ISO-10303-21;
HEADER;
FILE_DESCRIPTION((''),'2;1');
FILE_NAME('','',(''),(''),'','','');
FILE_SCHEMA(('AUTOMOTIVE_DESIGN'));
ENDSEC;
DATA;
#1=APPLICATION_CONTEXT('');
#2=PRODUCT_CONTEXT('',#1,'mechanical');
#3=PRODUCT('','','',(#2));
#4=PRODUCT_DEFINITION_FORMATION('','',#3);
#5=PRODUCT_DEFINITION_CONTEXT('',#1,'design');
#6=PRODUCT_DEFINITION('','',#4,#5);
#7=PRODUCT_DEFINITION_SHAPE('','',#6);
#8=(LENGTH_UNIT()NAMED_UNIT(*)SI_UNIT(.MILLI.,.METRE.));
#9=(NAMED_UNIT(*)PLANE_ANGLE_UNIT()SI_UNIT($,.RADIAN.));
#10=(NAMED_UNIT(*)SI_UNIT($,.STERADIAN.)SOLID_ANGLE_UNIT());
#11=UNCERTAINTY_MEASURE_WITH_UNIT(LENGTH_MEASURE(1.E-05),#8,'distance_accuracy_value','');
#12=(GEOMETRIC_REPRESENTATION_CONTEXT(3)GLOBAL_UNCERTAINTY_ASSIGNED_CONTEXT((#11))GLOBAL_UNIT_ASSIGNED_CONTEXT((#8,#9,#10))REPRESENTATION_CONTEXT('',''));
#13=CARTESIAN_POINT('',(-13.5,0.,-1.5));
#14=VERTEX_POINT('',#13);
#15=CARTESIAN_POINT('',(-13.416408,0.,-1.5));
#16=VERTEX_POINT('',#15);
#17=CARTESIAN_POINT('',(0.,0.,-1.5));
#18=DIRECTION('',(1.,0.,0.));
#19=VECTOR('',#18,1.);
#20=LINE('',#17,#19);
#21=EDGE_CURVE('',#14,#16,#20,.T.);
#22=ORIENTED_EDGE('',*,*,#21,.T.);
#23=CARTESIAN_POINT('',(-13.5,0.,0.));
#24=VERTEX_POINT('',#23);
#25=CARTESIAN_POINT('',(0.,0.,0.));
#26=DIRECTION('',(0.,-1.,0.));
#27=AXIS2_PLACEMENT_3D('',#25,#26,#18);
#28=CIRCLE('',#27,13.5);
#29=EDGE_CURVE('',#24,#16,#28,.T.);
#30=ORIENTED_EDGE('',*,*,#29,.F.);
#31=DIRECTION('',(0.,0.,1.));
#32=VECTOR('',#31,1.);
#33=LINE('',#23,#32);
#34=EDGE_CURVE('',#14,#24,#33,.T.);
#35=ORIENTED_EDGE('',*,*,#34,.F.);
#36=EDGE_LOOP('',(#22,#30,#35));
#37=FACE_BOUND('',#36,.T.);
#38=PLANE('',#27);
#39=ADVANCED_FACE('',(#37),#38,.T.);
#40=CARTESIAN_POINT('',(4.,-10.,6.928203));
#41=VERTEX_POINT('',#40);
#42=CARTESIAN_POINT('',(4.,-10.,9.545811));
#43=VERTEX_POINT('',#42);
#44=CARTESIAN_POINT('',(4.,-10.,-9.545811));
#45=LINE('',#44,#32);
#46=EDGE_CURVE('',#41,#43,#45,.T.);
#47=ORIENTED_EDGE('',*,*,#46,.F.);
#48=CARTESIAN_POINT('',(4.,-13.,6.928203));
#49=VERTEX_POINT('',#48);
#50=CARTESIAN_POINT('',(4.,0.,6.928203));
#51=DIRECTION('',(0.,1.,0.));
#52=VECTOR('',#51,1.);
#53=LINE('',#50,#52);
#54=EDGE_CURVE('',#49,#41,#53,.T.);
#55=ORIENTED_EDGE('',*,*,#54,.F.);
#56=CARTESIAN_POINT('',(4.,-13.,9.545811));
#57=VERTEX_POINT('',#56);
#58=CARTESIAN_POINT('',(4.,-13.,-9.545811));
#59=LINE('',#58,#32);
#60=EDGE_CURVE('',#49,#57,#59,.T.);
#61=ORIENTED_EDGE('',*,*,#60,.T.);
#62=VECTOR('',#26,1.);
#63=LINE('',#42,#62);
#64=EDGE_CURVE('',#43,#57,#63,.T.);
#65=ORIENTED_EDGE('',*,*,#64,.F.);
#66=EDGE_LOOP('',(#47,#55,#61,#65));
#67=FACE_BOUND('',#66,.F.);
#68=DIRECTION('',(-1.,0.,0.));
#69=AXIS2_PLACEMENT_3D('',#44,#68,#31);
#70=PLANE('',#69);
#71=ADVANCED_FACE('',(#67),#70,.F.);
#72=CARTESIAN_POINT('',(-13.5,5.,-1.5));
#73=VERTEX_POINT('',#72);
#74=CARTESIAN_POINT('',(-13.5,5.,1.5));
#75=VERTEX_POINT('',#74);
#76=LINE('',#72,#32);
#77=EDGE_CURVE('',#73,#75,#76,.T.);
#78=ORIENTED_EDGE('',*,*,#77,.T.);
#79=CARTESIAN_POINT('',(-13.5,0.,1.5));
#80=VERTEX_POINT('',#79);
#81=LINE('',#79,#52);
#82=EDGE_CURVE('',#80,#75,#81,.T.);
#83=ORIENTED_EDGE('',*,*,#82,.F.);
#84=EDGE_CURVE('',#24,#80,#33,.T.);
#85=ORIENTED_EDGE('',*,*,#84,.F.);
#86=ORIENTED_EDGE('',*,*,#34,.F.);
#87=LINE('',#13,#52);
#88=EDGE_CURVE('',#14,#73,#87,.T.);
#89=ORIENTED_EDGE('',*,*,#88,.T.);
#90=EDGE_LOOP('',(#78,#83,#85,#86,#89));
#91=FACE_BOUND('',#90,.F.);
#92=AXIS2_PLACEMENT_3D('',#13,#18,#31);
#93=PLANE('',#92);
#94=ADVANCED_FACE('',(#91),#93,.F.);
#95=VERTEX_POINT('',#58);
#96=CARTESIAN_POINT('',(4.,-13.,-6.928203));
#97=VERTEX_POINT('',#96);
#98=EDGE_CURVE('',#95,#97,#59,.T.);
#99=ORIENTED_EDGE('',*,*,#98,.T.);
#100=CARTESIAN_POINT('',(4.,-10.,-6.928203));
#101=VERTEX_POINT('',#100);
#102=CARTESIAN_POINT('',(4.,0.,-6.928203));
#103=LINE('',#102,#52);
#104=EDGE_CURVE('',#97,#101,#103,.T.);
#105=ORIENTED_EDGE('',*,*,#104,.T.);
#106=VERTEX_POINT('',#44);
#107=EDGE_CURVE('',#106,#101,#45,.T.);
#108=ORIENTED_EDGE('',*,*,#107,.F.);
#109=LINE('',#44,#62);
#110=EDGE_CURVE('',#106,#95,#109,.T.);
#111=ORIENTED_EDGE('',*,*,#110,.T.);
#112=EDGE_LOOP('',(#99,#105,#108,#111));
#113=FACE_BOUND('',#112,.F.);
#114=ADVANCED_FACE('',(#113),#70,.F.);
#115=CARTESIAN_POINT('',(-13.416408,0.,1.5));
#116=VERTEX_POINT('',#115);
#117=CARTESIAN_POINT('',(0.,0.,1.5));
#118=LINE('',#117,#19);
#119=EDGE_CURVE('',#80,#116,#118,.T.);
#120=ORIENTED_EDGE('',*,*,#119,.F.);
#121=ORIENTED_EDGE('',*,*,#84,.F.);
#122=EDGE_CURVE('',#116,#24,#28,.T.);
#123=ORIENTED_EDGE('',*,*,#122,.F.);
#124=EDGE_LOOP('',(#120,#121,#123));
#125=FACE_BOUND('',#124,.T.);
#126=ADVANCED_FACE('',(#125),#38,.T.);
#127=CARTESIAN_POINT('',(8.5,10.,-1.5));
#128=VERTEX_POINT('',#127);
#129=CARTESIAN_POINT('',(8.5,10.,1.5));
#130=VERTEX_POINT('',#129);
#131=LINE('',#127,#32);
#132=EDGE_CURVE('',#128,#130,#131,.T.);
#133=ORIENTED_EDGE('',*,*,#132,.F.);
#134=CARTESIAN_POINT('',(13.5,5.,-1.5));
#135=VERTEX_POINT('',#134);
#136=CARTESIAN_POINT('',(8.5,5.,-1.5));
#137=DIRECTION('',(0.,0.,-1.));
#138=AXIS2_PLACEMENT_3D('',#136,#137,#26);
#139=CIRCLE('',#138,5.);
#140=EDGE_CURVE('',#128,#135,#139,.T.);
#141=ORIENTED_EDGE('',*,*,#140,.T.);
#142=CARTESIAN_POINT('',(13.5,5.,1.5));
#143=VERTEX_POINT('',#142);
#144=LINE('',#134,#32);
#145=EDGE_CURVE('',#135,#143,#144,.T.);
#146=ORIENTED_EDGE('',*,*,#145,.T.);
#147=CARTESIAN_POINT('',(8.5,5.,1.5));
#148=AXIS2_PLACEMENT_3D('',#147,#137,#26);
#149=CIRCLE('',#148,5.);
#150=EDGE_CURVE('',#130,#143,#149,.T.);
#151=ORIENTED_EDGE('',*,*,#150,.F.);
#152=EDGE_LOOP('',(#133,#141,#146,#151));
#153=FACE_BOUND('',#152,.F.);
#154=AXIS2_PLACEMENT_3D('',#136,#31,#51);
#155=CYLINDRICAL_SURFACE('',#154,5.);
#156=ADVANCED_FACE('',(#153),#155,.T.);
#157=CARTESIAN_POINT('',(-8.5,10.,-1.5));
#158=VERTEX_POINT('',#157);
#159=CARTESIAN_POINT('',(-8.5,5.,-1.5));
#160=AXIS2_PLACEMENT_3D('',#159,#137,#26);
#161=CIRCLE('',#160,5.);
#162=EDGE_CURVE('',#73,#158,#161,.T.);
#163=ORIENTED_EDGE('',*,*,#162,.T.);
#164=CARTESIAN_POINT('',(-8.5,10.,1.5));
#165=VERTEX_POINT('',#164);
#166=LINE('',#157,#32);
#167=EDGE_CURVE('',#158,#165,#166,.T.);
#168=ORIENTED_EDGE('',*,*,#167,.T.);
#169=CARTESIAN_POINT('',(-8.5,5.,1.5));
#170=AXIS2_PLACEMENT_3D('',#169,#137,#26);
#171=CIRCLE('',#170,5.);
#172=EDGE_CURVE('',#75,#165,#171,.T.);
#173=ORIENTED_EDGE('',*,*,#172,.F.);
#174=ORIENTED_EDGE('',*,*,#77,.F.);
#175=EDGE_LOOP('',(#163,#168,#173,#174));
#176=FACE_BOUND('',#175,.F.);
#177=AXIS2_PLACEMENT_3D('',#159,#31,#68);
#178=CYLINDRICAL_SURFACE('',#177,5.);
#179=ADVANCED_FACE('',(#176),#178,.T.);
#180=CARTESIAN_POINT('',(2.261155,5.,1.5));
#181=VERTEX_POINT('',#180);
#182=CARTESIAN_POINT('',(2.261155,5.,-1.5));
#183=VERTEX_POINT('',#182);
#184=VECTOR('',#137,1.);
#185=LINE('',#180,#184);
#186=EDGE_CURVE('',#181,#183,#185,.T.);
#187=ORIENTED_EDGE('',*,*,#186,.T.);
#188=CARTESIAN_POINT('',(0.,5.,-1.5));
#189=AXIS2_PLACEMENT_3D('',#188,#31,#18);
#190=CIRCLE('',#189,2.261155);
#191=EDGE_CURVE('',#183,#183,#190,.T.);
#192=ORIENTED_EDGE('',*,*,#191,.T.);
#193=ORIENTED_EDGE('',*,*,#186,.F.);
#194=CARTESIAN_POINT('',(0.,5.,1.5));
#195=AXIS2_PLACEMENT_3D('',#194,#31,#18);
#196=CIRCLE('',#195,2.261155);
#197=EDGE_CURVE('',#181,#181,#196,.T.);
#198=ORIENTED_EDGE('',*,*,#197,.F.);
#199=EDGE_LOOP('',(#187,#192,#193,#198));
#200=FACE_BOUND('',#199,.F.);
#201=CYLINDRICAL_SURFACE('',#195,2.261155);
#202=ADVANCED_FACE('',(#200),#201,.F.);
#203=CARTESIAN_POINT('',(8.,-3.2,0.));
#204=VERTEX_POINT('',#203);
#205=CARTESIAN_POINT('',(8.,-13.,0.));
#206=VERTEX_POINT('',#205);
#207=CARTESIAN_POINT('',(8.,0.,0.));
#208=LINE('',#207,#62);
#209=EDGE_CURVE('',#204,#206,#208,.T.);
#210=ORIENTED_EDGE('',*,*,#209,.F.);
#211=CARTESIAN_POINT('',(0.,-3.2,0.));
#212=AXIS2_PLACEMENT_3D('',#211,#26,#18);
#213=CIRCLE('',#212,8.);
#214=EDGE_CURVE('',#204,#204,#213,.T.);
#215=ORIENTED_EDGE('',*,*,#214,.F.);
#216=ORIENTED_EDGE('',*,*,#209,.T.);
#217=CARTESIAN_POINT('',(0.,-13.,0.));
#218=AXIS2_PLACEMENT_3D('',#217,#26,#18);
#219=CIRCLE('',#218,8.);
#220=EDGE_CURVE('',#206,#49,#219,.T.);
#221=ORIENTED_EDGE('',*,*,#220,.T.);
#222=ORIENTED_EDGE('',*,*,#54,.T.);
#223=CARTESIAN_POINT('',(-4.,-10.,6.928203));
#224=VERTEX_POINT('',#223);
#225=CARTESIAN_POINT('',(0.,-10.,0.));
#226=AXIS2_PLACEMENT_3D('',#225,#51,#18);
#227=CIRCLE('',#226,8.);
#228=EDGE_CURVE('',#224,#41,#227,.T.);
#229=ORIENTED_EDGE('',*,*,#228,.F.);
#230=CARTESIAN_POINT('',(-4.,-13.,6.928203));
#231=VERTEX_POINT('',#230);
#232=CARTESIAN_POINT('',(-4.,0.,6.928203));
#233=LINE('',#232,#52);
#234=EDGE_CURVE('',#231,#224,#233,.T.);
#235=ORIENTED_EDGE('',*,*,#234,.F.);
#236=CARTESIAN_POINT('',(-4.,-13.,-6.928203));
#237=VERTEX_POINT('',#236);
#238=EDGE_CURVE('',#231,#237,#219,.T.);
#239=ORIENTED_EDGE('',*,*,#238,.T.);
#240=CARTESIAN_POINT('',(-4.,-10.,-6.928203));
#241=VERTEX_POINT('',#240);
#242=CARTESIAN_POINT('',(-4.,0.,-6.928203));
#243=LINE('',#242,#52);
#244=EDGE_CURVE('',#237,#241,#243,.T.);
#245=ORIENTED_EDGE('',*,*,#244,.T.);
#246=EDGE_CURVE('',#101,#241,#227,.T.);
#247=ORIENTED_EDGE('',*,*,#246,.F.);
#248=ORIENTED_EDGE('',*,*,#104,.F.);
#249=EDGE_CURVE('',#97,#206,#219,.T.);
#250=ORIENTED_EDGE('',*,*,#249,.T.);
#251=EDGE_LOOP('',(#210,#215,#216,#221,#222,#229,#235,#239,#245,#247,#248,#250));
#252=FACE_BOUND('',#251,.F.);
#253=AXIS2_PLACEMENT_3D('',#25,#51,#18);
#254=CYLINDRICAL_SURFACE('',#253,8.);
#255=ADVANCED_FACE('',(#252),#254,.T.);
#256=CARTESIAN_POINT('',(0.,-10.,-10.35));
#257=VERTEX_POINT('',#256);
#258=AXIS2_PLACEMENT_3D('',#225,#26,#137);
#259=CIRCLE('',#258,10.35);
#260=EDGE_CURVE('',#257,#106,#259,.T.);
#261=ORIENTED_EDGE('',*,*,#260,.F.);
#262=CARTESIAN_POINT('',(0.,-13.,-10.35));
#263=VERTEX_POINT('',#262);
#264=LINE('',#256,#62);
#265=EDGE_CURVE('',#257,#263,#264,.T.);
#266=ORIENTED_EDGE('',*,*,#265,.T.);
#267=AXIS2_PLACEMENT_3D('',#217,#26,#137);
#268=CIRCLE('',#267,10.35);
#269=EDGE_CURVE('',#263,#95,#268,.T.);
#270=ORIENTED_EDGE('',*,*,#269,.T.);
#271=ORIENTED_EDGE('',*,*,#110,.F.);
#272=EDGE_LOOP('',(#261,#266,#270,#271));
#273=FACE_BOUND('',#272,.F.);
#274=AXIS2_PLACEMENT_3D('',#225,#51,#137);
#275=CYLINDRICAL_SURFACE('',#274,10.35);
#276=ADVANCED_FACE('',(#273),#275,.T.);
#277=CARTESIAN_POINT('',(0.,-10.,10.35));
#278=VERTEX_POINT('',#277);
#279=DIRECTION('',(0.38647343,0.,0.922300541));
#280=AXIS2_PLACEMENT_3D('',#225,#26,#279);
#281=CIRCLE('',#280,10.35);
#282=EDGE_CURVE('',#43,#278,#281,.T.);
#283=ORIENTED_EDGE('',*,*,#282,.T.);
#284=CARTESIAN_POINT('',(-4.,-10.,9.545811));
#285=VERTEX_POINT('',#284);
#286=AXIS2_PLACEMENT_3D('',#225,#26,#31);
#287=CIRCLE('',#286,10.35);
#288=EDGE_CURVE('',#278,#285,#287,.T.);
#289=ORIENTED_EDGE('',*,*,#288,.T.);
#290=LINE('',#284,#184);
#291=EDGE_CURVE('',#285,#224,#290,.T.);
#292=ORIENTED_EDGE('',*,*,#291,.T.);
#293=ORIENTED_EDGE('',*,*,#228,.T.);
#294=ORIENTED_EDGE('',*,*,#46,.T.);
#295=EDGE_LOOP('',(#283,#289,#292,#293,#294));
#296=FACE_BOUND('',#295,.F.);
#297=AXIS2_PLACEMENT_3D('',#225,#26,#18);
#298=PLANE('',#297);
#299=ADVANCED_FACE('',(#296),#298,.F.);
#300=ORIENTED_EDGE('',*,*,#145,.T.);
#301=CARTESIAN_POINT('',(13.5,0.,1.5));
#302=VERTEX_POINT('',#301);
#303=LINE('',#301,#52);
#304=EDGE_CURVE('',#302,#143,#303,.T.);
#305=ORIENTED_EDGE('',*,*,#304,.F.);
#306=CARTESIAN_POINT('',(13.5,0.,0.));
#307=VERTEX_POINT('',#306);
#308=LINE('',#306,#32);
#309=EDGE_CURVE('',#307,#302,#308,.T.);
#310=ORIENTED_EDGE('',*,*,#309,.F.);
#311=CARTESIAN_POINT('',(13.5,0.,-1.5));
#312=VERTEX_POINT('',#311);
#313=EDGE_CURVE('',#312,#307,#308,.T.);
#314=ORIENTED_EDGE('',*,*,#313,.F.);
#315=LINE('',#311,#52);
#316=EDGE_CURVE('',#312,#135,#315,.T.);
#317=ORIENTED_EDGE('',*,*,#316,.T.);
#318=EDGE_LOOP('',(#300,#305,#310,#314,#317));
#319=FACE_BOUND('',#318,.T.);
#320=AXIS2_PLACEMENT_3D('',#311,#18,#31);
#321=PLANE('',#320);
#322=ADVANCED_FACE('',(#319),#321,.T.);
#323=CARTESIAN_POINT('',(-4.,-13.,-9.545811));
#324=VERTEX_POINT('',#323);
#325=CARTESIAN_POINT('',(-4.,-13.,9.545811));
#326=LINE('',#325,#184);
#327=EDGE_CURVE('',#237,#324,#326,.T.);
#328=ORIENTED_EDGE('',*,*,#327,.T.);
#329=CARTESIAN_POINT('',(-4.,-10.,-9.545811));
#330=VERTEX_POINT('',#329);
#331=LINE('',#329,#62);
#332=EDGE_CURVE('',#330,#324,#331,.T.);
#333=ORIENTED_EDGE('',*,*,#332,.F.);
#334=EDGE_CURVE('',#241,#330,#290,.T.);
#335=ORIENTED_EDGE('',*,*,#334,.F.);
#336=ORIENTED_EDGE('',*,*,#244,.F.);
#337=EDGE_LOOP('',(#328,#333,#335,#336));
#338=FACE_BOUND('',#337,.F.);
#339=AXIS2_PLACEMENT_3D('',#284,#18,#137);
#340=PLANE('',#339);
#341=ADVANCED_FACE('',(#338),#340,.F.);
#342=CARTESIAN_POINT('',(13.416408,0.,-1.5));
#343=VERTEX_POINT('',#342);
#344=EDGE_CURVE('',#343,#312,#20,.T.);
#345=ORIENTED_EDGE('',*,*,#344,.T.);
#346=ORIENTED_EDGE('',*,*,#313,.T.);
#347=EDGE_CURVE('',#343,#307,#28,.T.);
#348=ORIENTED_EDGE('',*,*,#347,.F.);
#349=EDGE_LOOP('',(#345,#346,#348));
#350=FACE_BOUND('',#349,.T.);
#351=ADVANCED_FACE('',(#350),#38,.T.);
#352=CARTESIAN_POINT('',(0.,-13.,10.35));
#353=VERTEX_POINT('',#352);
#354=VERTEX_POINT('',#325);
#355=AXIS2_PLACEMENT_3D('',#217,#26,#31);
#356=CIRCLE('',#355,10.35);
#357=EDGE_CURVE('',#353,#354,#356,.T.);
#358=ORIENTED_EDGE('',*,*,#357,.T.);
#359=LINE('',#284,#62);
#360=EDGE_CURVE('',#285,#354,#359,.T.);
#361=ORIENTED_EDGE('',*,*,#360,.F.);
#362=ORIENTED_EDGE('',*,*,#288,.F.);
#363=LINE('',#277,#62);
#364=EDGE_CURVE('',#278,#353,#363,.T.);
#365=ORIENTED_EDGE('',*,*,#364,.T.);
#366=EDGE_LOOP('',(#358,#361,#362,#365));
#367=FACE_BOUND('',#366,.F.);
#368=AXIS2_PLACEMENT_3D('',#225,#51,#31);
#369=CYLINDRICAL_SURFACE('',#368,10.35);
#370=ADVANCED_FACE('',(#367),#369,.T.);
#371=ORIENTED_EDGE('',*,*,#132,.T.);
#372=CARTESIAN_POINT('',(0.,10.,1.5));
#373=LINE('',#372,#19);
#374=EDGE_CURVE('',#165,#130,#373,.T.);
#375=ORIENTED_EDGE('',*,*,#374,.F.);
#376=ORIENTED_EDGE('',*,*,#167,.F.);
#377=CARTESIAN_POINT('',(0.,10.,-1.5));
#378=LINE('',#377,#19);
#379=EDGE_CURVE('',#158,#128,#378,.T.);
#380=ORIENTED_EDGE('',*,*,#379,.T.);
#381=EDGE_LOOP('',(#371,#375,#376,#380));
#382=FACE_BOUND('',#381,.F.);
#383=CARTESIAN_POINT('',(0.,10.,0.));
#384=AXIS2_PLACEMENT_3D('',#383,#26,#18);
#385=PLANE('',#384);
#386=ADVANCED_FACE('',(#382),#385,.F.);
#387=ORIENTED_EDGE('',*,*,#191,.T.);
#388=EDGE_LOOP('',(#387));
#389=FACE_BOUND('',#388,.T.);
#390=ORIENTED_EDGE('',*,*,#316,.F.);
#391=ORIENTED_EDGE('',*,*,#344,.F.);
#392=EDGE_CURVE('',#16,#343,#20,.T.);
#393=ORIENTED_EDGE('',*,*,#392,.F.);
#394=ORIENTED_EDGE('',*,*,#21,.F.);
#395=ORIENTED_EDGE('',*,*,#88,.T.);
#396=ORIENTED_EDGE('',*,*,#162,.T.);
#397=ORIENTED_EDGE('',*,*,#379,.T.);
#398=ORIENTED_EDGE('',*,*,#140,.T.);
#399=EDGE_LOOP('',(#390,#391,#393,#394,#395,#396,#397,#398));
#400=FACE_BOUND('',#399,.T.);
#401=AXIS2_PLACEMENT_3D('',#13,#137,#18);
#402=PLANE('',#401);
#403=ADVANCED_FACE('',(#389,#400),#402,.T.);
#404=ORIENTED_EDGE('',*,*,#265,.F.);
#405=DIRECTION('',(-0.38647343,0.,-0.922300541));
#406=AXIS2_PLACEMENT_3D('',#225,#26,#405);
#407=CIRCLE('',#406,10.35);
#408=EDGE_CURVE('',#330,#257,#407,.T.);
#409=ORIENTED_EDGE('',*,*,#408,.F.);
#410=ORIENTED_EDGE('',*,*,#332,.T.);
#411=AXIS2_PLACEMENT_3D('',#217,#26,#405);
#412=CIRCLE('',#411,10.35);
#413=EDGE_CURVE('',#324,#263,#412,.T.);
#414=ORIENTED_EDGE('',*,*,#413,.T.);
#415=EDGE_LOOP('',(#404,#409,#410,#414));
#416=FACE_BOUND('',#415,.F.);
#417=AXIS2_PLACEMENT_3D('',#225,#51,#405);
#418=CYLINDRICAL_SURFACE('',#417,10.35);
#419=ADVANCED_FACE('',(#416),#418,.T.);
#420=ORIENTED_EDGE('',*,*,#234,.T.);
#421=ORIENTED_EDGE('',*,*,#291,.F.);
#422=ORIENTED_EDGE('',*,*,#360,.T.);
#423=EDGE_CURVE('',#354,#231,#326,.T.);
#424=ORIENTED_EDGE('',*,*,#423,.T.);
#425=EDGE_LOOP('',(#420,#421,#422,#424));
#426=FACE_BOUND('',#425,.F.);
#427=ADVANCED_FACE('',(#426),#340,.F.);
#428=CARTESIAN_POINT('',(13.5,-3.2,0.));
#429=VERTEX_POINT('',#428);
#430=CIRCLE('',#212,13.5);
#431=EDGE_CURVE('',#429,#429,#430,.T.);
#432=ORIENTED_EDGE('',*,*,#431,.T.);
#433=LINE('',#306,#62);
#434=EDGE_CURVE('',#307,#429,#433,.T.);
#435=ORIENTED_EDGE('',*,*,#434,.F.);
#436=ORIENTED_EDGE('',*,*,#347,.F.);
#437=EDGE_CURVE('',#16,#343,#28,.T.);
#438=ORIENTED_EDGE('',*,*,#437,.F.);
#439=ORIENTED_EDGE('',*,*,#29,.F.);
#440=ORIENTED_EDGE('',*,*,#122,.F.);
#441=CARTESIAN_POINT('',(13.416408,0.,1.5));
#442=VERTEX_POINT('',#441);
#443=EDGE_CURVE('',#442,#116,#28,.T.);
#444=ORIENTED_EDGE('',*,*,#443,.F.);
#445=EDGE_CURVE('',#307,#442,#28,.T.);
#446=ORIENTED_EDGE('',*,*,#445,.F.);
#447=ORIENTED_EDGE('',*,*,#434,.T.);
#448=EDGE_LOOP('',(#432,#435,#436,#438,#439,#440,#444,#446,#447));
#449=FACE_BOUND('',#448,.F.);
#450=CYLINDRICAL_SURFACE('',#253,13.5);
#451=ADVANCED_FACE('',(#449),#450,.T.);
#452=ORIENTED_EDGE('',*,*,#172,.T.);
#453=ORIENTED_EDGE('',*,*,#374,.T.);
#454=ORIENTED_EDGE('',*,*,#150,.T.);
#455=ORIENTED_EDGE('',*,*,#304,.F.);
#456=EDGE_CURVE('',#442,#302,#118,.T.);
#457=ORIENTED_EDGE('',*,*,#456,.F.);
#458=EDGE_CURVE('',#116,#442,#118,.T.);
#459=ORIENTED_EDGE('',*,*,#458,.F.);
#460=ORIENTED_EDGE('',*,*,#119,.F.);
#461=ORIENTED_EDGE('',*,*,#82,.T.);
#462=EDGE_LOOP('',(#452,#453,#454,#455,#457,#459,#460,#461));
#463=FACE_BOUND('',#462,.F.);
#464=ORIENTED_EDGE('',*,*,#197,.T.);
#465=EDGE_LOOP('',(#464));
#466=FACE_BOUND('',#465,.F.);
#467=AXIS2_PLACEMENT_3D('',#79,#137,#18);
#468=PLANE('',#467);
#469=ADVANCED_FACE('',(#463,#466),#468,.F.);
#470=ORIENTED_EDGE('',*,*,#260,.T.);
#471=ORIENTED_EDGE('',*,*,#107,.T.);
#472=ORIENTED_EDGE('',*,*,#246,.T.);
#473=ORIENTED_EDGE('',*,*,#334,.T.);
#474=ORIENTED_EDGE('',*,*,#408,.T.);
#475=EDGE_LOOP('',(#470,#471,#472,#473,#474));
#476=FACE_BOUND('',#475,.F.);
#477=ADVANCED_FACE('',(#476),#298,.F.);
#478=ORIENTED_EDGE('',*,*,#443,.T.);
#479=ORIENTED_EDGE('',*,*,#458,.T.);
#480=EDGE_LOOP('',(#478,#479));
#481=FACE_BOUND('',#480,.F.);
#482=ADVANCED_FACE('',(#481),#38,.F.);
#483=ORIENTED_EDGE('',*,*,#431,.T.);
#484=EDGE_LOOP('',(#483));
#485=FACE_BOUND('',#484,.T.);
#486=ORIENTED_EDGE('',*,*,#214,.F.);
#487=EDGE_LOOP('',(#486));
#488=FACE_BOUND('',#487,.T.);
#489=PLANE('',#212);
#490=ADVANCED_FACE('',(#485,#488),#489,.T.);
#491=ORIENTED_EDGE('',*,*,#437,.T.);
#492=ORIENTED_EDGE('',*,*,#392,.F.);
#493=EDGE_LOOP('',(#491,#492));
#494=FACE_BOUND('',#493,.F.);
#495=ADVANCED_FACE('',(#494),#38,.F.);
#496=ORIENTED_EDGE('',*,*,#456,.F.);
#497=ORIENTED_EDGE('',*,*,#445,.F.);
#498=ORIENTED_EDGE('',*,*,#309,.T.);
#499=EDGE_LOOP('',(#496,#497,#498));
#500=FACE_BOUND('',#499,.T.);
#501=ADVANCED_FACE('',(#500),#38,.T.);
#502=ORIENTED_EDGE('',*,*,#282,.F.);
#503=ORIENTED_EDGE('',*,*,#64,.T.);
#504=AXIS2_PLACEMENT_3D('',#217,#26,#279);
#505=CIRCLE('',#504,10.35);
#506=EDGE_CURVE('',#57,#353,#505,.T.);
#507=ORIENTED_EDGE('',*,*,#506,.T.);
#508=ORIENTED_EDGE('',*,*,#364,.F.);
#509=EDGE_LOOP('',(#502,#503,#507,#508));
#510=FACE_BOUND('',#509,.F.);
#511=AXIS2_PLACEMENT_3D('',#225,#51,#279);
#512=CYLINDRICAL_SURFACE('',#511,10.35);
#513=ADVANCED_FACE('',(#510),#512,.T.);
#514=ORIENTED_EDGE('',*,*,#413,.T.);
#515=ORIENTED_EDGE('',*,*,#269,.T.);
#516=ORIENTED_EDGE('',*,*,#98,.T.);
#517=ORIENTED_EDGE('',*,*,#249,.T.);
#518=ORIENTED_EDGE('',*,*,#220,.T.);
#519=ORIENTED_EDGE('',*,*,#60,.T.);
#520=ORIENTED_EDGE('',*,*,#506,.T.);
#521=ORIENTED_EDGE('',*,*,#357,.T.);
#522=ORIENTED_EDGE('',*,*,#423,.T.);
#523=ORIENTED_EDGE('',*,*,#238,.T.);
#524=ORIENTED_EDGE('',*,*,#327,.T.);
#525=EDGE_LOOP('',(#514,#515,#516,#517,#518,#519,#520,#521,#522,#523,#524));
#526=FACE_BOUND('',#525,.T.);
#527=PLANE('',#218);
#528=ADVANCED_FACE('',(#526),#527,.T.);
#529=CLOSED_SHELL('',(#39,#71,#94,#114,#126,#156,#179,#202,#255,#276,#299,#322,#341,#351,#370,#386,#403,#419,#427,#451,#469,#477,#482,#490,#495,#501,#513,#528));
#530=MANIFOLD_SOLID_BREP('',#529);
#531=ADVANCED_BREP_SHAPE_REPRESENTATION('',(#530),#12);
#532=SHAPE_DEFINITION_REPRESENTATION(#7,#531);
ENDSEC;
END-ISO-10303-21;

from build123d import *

# Parameters (mm, degrees)
F0_R      = 8
F1_DEPTH  = 13
F0_R_2    = 13.5
F2_DEPTH  = 3.2
F5_DEPTH  = 3
F6_W      = 27
F6_H      = 3
F7_DEPTH  = 10
F8_R      = 5
F9_R      = 5
F11_R     = 2.2611547592
F12_DEPTH = 3


with BuildPart() as f1:
    # F0 (on Front) → F1 (new body)
    with BuildSketch(Plane.XZ):
        Circle(F0_R)
    extrude(amount=F1_DEPTH)

    # F0 (on Front) → F2 (join)
    with BuildSketch(Plane.XZ):
        Circle(F0_R_2)
        Circle(F0_R, mode=Mode.SUBTRACT)
    extrude(amount=F2_DEPTH)

    # F4 (on offset) → F5 (join)
    with BuildSketch(Plane.XZ.offset(10)):
        with BuildLine():
            ThreePointArc((-4, -9.5458105994), (-2.040019644, -10.1469611141), (0, -10.35))
            ThreePointArc((0, -10.35), (2.040019644, -10.1469611141), (4, -9.5458105994))
            Line((4, -9.5458105994), (4, 9.5458105994))
            ThreePointArc((4, 9.5458105994), (2.040019644, 10.1469611141), (0, 10.35))
            ThreePointArc((0, 10.35), (-2.040019644, 10.1469611141), (-4, 9.5458105994))
            Line((-4, 9.5458105994), (-4, -9.5458105994))
        make_face()
    extrude(amount=F5_DEPTH)

    # F6 (on Front) → F7 (join)
    with BuildSketch(Plane.XZ):
        Rectangle(F6_W, F6_H)
    extrude(amount=-F7_DEPTH)

    # F8
    f8_edges = [f1.edges().sort_by_distance(p)[0] for p in [
        (-13.5, 10, 0),
    ]]
    fillet(f8_edges, radius=F8_R)

    # F9
    f9_edges = [f1.edges().sort_by_distance(p)[0] for p in [
        (13.5, 10, 0),
    ]]
    fillet(f9_edges, radius=F9_R)

    # F11 (on face) → F12 (cut, through all)
    with BuildSketch(Plane.XY.offset(1.5)):
        with Locations((0, 5)):
            Circle(F11_R)
    extrude(amount=-F12_DEPTH, mode=Mode.SUBTRACT)


solid = f1.part
